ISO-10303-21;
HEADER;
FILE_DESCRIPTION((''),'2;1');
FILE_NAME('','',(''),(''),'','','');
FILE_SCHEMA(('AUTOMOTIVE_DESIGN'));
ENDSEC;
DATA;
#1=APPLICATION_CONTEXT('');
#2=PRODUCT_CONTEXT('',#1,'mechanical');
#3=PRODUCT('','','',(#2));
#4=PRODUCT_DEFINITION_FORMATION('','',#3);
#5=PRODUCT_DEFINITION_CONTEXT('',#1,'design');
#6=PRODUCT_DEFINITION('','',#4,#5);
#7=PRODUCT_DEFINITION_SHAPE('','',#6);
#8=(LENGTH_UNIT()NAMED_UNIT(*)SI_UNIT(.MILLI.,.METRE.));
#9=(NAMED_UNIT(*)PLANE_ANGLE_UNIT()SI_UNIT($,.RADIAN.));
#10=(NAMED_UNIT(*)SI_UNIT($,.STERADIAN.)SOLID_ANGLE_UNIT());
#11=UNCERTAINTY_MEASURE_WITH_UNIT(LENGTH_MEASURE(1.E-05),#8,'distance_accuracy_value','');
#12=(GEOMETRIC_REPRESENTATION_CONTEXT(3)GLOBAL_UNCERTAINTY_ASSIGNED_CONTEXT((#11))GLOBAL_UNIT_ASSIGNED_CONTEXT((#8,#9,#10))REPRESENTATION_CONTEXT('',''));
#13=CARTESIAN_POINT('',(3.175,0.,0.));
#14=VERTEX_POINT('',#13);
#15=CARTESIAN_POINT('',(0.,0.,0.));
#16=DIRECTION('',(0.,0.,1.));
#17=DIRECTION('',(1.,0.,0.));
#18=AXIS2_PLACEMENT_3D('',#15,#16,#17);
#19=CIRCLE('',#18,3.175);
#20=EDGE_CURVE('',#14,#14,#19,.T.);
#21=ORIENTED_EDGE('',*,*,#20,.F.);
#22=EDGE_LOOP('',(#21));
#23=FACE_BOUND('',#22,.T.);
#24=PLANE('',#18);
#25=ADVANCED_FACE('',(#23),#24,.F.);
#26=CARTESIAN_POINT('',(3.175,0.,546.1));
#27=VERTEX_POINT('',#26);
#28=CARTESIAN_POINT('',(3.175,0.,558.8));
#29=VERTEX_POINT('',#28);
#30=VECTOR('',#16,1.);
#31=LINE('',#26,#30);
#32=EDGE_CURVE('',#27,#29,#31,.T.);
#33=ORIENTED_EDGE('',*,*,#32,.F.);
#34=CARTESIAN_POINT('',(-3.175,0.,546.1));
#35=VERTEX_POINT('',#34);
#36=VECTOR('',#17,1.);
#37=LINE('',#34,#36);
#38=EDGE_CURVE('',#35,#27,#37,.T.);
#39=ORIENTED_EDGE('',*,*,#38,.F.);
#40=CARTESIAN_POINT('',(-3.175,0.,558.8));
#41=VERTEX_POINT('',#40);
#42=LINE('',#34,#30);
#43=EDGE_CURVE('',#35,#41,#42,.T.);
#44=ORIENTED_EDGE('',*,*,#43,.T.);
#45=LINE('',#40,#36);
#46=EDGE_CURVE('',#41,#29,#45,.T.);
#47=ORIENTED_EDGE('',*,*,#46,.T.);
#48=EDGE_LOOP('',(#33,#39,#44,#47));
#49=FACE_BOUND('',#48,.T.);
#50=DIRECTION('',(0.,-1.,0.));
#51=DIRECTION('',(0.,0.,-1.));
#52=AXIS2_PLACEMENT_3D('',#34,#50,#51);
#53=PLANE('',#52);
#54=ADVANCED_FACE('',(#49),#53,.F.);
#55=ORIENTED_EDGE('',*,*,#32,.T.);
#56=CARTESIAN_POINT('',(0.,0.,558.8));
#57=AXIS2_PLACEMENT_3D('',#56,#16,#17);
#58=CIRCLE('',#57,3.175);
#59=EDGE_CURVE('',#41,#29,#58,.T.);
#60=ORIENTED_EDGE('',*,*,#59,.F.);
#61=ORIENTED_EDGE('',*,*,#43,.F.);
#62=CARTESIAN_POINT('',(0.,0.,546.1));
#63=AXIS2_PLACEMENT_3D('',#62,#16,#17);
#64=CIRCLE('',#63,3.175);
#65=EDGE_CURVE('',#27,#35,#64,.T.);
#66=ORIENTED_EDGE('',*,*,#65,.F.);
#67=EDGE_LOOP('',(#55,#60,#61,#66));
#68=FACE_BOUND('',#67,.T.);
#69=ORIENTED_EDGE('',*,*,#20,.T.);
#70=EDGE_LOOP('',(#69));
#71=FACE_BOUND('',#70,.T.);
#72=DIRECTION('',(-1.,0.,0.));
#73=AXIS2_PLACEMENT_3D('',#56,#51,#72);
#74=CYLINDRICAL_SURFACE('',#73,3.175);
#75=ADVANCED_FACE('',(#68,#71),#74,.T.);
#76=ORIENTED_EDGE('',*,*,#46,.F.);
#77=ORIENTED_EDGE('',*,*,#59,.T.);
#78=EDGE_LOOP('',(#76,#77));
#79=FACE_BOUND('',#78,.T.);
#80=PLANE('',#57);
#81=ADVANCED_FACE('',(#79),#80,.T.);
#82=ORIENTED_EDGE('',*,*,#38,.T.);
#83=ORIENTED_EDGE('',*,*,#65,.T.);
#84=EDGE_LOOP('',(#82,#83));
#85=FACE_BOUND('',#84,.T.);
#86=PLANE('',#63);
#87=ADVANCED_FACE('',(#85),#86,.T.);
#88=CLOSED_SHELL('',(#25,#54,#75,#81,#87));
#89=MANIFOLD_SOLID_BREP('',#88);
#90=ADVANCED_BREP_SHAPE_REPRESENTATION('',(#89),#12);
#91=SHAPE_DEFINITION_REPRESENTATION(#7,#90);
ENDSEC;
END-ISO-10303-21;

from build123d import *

# Parameters (mm, degrees)
SKETCH1_R           = 3.175
BOSS_EXTRUDE1_DEPTH = 558.8
CUT_EXTRUDE1_DEPTH  = 12.7


with BuildPart() as part:
    # Sketch1 → Boss-Extrude1 (new body)
    with BuildSketch(Plane.XY):
        Circle(SKETCH1_R)
    extrude(amount=BOSS_EXTRUDE1_DEPTH)

    # Sketch3 → Cut-Extrude1 (cut)
    with BuildSketch(Plane.XY.offset(558.8)):
        with BuildLine():
            Line((-3.175, 0), (3.175, 0))
            ThreePointArc((3.175, 0), (0, 3.175), (-3.175, 0))
        make_face()
    extrude(amount=-CUT_EXTRUDE1_DEPTH, mode=Mode.SUBTRACT)


solid = part.part
